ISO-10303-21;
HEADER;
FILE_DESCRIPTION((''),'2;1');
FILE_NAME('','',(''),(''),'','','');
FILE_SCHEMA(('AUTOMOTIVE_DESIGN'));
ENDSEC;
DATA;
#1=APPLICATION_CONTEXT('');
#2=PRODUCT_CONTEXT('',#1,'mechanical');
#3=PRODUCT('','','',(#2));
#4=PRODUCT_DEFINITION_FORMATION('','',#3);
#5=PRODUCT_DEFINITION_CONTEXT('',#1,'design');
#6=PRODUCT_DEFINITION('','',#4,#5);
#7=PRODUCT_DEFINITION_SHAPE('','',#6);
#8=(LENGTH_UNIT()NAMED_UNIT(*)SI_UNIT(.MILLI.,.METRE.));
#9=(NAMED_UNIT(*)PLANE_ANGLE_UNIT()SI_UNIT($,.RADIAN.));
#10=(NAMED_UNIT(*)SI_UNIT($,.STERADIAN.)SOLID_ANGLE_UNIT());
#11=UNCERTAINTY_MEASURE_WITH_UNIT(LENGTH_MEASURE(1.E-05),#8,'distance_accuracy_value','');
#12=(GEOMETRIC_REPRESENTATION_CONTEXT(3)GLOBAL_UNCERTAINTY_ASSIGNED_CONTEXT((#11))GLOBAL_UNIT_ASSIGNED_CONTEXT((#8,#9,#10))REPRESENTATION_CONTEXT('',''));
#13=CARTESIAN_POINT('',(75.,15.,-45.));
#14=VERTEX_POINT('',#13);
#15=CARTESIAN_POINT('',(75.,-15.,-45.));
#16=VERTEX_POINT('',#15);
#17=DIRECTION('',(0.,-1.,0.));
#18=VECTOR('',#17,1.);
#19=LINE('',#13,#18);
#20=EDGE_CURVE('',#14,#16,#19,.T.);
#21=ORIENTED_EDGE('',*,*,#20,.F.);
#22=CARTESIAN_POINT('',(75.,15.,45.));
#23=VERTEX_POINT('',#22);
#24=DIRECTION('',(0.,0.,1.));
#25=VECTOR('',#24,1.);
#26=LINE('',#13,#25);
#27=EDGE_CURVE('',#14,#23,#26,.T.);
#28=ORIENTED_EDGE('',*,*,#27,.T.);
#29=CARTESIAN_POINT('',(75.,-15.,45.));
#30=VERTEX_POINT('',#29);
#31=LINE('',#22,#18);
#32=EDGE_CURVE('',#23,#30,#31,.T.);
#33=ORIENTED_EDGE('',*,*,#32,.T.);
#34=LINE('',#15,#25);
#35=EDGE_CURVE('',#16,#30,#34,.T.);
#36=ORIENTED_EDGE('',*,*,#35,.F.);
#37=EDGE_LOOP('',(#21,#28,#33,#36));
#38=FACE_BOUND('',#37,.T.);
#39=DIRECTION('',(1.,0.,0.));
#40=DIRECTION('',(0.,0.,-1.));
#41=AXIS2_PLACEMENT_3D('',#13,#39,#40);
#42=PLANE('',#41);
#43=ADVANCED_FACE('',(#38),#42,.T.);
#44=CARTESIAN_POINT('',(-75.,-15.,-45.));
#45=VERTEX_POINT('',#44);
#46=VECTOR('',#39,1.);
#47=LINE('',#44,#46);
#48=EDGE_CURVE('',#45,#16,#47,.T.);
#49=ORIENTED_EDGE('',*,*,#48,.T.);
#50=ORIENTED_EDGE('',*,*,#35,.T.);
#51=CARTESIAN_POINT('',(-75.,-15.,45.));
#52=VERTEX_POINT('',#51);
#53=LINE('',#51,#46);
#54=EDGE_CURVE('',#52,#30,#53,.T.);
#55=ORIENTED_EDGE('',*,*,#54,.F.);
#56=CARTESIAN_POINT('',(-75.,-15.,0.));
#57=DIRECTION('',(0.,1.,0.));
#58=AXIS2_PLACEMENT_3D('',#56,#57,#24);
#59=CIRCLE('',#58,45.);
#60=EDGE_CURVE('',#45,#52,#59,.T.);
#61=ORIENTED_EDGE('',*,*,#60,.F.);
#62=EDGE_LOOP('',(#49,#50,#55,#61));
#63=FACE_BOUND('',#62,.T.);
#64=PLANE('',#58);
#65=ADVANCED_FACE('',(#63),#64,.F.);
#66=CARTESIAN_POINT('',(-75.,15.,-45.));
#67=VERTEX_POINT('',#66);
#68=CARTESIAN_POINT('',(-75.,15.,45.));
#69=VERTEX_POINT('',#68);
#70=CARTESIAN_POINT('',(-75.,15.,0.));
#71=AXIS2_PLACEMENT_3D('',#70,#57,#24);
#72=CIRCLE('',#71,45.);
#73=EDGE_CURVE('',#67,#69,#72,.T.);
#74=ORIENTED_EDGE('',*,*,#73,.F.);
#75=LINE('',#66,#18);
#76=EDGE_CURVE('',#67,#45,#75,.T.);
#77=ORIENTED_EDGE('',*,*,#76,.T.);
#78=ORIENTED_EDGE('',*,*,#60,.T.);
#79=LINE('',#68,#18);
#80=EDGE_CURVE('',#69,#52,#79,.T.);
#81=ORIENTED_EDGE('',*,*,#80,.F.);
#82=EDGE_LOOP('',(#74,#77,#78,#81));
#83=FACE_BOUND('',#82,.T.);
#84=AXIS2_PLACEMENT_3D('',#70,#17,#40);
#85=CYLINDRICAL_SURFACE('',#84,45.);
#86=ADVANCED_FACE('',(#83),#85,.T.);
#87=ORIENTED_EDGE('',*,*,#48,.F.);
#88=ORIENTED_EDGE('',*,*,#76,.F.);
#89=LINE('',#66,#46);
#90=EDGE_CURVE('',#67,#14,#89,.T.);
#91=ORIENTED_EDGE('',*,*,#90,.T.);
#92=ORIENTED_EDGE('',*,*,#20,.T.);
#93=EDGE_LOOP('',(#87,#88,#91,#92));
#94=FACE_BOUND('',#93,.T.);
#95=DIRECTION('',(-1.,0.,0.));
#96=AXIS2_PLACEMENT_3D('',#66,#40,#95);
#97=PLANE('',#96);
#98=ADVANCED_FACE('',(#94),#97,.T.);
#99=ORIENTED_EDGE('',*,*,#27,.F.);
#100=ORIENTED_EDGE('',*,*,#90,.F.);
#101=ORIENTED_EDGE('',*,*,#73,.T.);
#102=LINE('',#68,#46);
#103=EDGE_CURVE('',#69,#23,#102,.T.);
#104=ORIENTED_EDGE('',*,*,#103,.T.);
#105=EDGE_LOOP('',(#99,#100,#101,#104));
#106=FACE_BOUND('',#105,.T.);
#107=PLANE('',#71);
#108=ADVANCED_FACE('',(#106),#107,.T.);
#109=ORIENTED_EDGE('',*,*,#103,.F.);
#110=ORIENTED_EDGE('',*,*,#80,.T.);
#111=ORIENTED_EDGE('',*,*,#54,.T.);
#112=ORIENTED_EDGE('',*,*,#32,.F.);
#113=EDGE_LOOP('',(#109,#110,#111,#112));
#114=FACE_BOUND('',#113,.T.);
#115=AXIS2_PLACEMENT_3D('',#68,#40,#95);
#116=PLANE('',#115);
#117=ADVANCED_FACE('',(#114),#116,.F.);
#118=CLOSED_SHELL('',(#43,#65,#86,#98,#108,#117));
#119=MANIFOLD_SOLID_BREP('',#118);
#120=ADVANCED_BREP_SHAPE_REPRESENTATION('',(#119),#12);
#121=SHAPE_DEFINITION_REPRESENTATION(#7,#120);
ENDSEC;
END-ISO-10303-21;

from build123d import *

# Parameters (mm, degrees)
BOSS_EXTRUDE1_DEPTH = 15


with BuildPart() as part:
    # Sketch1 → Boss-Extrude1 (new body, symmetric)
    with BuildSketch(Plane(origin=(0, 0, 0), x_dir=(1, 0, 0), z_dir=(0, 1, 0))):
        with BuildLine():
            Line((-75, 45), (75, 45))
            Line((75, 45), (75, -45))
            Line((75, -45), (-75, -45))
            ThreePointArc((-75, -45), (-120, 0), (-75, 45))
        make_face()
    extrude(amount=BOSS_EXTRUDE1_DEPTH, both=True)


solid = part.part
